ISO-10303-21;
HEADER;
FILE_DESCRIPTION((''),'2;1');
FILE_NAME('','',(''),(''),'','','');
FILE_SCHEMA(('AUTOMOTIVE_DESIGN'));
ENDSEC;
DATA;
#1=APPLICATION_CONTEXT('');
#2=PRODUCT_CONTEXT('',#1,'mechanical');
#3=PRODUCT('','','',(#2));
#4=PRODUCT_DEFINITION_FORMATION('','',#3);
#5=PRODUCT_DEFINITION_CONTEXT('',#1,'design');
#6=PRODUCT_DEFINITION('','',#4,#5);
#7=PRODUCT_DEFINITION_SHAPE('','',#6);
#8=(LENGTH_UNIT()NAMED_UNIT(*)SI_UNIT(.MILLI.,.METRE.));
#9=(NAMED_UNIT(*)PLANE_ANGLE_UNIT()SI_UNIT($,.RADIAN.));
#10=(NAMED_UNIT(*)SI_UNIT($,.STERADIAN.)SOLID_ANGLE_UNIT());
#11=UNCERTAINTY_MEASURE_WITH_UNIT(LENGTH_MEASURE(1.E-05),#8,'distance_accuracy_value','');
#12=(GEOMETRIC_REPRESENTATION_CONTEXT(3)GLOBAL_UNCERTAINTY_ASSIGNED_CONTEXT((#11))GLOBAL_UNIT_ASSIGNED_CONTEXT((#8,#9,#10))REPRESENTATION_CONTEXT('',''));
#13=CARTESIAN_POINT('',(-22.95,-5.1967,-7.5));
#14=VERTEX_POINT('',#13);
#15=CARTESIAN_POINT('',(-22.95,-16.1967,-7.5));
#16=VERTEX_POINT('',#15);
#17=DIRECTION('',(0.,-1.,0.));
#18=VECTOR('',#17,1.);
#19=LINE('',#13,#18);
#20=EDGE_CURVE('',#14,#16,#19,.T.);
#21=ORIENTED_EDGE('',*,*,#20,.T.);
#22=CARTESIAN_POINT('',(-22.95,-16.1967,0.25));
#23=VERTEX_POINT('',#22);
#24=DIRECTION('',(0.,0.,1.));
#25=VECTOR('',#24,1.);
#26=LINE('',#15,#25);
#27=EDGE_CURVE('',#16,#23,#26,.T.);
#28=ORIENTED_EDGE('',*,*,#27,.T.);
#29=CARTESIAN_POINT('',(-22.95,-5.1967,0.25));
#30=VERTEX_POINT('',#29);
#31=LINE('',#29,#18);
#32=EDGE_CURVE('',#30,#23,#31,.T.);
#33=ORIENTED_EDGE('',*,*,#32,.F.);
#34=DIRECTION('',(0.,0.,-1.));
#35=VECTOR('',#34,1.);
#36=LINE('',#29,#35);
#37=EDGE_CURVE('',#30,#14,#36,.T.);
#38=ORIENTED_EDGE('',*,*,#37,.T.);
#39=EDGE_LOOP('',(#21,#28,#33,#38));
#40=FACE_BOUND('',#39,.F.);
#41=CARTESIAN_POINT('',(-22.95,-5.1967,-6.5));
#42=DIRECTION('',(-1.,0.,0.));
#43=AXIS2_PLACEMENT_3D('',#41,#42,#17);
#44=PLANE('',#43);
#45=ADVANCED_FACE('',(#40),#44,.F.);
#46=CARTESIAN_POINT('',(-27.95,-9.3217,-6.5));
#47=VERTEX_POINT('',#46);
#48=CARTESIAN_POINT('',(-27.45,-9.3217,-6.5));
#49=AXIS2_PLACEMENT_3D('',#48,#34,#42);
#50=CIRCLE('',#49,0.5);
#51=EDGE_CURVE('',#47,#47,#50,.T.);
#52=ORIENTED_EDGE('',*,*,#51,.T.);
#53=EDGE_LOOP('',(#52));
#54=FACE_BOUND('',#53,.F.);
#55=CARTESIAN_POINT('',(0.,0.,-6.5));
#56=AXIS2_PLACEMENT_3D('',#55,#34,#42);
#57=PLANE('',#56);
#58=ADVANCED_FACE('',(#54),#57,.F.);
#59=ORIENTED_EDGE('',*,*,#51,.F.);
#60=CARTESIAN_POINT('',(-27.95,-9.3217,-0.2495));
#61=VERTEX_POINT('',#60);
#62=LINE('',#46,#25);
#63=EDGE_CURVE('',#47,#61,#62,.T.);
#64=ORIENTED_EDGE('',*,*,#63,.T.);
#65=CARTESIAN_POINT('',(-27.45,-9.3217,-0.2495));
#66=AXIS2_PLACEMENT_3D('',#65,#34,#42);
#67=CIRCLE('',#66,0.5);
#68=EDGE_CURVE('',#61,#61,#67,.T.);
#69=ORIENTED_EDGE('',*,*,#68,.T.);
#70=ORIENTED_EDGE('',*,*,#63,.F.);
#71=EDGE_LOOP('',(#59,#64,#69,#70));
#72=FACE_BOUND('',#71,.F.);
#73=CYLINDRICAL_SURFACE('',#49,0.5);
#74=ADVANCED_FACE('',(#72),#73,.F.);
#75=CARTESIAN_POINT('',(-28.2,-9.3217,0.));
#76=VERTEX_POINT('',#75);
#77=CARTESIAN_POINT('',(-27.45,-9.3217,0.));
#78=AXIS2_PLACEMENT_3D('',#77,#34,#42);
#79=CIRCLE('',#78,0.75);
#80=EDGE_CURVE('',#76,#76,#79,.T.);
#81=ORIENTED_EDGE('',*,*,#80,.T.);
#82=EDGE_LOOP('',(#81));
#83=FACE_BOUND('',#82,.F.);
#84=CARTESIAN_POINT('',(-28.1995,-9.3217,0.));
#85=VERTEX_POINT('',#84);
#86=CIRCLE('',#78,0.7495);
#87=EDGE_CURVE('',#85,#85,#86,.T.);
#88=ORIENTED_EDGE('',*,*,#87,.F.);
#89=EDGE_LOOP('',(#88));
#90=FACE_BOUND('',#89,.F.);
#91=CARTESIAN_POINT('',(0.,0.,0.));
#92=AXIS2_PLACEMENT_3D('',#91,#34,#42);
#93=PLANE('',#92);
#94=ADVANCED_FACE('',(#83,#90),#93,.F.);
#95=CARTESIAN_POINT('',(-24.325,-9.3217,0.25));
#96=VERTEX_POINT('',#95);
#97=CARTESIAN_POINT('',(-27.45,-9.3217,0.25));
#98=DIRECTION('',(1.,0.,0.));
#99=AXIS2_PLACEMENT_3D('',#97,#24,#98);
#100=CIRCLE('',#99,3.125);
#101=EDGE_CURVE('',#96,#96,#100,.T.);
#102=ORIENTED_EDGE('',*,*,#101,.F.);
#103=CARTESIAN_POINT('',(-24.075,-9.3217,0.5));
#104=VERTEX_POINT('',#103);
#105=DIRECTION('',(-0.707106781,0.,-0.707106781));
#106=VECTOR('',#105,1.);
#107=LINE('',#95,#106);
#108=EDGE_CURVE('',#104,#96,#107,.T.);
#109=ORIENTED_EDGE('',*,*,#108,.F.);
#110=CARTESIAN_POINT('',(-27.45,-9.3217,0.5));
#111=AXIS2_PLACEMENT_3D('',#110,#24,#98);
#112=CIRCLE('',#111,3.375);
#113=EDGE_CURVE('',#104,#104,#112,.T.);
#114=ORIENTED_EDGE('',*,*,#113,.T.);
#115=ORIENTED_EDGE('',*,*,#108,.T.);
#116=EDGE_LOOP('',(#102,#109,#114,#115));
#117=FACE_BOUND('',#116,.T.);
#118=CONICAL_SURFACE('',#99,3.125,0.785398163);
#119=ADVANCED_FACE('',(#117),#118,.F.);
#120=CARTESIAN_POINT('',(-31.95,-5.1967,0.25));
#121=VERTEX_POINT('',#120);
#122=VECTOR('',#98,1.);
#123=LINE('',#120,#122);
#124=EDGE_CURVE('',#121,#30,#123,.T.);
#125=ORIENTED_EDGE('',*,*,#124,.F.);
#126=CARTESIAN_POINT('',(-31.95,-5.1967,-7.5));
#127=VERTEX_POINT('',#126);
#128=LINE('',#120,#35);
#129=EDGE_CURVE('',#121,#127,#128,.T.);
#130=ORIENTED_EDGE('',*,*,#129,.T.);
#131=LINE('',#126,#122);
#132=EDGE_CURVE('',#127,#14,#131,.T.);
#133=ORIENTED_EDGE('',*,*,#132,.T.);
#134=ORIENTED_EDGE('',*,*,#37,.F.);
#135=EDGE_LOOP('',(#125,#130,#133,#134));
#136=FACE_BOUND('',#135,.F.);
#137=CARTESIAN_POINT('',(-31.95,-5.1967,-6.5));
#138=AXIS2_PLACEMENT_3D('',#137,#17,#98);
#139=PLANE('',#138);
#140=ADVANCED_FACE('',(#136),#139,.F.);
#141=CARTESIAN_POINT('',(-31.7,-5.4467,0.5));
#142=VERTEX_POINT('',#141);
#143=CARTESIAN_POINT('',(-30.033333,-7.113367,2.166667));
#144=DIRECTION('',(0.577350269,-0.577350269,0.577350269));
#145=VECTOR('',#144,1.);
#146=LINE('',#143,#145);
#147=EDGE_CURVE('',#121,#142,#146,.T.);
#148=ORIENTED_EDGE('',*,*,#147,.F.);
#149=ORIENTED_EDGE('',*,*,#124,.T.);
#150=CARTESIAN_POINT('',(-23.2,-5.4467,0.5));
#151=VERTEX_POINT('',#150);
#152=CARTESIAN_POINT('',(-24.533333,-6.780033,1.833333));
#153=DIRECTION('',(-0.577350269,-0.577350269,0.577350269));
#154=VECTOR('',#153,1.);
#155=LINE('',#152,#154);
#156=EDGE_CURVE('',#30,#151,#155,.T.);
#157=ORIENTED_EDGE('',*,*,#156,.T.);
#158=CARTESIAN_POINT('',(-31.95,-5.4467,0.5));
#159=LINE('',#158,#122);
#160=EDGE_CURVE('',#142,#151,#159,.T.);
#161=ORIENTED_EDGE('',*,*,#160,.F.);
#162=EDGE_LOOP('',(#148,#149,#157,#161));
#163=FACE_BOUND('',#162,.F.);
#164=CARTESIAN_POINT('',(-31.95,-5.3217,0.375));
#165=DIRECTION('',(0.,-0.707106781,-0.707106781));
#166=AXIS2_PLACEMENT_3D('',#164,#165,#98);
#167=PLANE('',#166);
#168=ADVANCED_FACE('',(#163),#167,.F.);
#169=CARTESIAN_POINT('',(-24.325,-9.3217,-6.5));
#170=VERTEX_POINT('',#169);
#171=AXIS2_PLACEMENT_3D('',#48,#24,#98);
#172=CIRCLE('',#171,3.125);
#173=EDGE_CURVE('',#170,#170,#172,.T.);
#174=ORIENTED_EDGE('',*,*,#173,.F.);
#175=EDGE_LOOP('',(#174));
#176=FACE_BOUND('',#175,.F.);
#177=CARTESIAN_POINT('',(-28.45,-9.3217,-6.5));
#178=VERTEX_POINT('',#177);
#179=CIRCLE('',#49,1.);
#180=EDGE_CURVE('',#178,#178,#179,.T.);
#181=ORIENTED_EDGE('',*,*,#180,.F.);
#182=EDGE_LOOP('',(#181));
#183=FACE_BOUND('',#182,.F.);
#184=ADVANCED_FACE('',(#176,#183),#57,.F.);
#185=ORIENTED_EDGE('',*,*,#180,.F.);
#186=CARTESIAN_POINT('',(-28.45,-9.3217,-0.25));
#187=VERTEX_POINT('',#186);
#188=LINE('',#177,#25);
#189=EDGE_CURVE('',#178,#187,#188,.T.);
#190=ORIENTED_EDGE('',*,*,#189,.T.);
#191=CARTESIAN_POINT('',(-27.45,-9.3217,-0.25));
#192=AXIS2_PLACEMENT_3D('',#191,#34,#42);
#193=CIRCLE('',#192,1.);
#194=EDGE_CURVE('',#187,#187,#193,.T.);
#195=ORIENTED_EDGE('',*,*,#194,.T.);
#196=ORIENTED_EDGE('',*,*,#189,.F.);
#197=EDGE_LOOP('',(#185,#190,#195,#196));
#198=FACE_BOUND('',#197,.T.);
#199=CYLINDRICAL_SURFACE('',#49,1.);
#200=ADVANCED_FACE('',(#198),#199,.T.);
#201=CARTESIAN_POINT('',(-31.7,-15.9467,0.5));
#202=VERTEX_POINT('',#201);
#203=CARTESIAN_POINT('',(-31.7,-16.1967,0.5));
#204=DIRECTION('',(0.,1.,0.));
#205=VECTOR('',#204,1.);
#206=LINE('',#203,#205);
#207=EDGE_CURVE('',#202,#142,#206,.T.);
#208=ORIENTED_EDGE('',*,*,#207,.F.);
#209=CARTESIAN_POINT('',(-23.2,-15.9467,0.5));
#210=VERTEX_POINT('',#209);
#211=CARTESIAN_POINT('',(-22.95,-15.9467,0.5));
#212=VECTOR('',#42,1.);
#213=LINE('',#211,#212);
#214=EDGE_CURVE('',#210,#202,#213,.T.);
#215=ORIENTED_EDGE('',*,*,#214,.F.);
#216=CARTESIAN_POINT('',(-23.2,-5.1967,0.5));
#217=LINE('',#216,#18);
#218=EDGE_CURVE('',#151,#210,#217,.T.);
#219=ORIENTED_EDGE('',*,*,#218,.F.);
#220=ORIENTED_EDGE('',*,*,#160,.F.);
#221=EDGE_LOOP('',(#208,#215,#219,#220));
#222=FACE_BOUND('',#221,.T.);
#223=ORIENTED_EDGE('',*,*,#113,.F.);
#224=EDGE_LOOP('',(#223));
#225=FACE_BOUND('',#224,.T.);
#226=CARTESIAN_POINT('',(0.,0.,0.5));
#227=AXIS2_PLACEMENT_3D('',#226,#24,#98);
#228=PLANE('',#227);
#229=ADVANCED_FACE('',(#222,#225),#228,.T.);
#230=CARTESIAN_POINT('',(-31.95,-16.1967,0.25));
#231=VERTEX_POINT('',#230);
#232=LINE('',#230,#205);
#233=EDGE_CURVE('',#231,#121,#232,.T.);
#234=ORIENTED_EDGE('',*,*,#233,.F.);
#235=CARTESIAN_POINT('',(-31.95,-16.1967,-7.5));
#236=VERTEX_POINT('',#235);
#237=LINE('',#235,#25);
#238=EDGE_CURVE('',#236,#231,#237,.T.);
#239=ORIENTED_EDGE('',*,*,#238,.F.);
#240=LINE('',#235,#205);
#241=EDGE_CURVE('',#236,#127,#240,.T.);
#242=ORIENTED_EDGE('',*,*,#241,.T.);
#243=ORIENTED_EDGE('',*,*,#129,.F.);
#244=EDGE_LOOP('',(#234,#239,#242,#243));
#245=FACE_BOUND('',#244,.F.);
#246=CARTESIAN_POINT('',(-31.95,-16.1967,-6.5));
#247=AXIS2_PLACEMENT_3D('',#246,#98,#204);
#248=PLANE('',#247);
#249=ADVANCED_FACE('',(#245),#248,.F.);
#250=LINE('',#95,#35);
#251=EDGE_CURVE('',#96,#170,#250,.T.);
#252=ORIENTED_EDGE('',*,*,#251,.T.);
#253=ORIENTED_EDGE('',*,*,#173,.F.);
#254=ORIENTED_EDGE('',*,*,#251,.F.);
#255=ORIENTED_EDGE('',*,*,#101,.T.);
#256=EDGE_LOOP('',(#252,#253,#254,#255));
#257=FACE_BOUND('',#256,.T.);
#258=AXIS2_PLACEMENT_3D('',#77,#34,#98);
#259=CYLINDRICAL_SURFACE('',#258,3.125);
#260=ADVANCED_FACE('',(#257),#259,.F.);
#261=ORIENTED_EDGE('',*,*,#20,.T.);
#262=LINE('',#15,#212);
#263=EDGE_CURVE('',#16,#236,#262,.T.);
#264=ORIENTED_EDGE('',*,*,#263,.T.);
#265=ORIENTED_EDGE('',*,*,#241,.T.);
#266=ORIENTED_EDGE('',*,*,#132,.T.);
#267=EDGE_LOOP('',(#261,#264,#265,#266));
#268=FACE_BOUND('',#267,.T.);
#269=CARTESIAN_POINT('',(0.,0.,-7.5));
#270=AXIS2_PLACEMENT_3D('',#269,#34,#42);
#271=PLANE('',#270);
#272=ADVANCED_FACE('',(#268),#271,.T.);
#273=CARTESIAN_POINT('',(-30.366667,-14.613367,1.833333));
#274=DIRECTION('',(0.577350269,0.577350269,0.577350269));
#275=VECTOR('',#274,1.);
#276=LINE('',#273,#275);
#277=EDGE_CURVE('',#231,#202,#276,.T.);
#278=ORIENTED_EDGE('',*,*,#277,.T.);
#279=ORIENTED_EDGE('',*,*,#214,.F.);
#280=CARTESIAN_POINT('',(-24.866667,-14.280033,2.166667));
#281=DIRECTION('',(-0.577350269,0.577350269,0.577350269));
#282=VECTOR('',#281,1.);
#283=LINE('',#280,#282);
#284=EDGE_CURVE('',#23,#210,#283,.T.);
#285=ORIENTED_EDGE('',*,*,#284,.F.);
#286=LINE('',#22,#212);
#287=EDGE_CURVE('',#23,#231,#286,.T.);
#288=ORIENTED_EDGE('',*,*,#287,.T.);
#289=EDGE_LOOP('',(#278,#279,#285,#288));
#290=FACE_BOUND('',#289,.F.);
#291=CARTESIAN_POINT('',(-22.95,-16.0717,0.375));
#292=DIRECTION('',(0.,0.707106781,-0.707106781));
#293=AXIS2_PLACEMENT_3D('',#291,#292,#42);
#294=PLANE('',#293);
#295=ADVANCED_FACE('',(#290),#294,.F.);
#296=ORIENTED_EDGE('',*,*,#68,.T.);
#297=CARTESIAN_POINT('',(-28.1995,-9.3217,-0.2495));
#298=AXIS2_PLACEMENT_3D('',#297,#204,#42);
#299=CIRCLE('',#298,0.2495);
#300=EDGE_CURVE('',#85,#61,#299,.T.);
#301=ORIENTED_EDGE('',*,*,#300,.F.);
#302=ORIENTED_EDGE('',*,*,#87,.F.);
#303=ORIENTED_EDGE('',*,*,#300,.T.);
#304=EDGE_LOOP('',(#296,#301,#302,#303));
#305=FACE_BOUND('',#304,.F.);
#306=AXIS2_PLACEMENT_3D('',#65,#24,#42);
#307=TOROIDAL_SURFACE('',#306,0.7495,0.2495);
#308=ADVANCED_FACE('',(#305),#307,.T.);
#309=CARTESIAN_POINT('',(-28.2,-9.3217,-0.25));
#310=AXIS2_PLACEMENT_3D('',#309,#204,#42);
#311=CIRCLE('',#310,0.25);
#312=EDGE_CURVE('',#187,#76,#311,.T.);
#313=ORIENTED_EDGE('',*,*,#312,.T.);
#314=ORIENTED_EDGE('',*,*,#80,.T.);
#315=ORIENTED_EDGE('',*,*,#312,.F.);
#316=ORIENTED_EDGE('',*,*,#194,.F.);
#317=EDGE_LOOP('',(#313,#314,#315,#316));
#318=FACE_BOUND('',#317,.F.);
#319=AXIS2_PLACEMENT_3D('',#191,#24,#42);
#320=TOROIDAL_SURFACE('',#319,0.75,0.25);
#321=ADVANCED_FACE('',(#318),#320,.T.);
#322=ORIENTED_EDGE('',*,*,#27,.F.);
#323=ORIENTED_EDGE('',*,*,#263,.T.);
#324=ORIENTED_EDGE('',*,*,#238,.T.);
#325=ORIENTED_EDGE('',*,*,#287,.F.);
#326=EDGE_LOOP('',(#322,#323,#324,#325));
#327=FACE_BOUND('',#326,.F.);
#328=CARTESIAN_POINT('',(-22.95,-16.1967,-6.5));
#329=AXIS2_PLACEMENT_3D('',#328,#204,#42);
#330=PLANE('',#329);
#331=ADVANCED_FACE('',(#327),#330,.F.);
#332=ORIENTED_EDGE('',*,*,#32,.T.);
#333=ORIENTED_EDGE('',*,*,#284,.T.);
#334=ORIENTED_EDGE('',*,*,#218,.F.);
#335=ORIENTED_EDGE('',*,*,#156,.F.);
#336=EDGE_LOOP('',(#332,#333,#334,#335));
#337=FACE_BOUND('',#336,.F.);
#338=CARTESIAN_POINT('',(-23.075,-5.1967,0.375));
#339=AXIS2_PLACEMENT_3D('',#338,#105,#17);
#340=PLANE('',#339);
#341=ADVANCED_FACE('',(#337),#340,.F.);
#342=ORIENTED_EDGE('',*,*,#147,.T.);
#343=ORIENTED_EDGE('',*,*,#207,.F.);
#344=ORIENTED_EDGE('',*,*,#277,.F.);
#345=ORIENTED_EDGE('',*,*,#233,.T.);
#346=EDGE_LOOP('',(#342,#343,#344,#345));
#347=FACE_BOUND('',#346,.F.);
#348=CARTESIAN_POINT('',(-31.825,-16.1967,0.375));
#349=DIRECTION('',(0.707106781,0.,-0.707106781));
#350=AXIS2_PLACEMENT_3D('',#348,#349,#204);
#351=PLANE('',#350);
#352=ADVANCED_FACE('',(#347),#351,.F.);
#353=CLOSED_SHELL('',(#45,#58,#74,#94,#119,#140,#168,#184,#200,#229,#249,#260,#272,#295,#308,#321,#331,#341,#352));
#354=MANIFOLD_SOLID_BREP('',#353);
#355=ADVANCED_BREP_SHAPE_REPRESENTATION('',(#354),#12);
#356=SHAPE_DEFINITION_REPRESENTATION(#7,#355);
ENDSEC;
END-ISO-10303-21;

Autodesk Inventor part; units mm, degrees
ref_plane "YZ Plane" through (0, 0, 0) normal (1, 0, 0) x (0, 1, 0)
ref_plane "XZ Plane" through (0, 0, 0) normal (0, 1, 0) x (-1, 0, 0)
ref_plane "XY Plane" through (0, 0, 0) normal (0, 0, 1) x (1, 0, 0)
ref_plane "Płaszczyzna konstrukcyjna1" through (0, 0, 0) normal (0, 0, 1) x (1, 0, 0)
sketch "Szkic1" plane through (0, 0, 0) normal (0, 0, 1) x (1, 0, 0)
  line L0 (-32.2, -16.4467) -> (-32.2, -4.9467) projected
  line L1 (-32.2, -4.9467) -> (-22.7, -4.9467) projected
  line L2 (-22.7, -4.9467) -> (-22.7, -16.4467) projected
  line L3 (-22.7, -16.4467) -> (-32.2, -16.4467) projected
  line L4 (-31.95, -5.1967) -> (-22.95, -5.1967)
  line L5 (-22.95, -5.1967) -> (-22.95, -16.1967)
  line L6 (-22.95, -16.1967) -> (-31.95, -16.1967)
  line L7 (-31.95, -16.1967) -> (-31.95, -5.1967)
  circle A0 centre (-27.45, -9.3217) radius 3.125
  point P0 (0, 0)
  dimension "d0" = 9
  dimension "d1" = 11
  dimension "d2" = 6.25
extrude "Wyciągnięcie proste1" add sketch "Szkic1" against normal blind 6.5 and the other way blind 0.5 contours L4 L5 L6 L7
chamfer "Faza1" distance 0.25 angle 45 5 edges at (-27.45, -5.1967, 0.5) (-22.95, -10.6967, 0.5) (-31.95, -10.6967, 0.5) (-27.45, -16.1967, 0.5) (-30.575, -9.3217, 0.5)
sketch "Szkic2" plane through (0, 0, -6.5) normal (0, 0, -1) x (-1, 0, 0)
  circle A0 centre (27.45, -9.3217) radius 1
  circle A1 centre (27.45, -9.3217) radius 0.5
  point P0 (0, 0)
  dimension "d11" = 2
  dimension "d12" = 1
extrude "Wyciągnięcie proste2" add sketch "Szkic2" against normal blind 6.5
fillet "Zaokrąglenie1" radius 0.25 1 edges at (-26.45, -9.3217, 0)
fillet "Zaokrąglenie2" radius 0.25 1 edges at (-26.95, -9.3217, 0)
sketch "Szkic3" plane through (0, 0, -6.5) normal (0, 0, -1) x (-1, 0, 0)
  line L0 (31.95, -5.1967) -> (22.95, -5.1967) projected
  line L1 (22.95, -5.1967) -> (22.95, -16.1967) projected
  line L2 (22.95, -16.1967) -> (31.95, -16.1967) projected
  line L3 (31.95, -16.1967) -> (31.95, -5.1967) projected
  point P0 (0, 0)
extrude "Wyciągnięcie proste3" add sketch "Szkic3" along normal blind 1
properties part number "AUDIO DC12" material "Tworzywo sztuczne, nieprzezroczyste czarne"
